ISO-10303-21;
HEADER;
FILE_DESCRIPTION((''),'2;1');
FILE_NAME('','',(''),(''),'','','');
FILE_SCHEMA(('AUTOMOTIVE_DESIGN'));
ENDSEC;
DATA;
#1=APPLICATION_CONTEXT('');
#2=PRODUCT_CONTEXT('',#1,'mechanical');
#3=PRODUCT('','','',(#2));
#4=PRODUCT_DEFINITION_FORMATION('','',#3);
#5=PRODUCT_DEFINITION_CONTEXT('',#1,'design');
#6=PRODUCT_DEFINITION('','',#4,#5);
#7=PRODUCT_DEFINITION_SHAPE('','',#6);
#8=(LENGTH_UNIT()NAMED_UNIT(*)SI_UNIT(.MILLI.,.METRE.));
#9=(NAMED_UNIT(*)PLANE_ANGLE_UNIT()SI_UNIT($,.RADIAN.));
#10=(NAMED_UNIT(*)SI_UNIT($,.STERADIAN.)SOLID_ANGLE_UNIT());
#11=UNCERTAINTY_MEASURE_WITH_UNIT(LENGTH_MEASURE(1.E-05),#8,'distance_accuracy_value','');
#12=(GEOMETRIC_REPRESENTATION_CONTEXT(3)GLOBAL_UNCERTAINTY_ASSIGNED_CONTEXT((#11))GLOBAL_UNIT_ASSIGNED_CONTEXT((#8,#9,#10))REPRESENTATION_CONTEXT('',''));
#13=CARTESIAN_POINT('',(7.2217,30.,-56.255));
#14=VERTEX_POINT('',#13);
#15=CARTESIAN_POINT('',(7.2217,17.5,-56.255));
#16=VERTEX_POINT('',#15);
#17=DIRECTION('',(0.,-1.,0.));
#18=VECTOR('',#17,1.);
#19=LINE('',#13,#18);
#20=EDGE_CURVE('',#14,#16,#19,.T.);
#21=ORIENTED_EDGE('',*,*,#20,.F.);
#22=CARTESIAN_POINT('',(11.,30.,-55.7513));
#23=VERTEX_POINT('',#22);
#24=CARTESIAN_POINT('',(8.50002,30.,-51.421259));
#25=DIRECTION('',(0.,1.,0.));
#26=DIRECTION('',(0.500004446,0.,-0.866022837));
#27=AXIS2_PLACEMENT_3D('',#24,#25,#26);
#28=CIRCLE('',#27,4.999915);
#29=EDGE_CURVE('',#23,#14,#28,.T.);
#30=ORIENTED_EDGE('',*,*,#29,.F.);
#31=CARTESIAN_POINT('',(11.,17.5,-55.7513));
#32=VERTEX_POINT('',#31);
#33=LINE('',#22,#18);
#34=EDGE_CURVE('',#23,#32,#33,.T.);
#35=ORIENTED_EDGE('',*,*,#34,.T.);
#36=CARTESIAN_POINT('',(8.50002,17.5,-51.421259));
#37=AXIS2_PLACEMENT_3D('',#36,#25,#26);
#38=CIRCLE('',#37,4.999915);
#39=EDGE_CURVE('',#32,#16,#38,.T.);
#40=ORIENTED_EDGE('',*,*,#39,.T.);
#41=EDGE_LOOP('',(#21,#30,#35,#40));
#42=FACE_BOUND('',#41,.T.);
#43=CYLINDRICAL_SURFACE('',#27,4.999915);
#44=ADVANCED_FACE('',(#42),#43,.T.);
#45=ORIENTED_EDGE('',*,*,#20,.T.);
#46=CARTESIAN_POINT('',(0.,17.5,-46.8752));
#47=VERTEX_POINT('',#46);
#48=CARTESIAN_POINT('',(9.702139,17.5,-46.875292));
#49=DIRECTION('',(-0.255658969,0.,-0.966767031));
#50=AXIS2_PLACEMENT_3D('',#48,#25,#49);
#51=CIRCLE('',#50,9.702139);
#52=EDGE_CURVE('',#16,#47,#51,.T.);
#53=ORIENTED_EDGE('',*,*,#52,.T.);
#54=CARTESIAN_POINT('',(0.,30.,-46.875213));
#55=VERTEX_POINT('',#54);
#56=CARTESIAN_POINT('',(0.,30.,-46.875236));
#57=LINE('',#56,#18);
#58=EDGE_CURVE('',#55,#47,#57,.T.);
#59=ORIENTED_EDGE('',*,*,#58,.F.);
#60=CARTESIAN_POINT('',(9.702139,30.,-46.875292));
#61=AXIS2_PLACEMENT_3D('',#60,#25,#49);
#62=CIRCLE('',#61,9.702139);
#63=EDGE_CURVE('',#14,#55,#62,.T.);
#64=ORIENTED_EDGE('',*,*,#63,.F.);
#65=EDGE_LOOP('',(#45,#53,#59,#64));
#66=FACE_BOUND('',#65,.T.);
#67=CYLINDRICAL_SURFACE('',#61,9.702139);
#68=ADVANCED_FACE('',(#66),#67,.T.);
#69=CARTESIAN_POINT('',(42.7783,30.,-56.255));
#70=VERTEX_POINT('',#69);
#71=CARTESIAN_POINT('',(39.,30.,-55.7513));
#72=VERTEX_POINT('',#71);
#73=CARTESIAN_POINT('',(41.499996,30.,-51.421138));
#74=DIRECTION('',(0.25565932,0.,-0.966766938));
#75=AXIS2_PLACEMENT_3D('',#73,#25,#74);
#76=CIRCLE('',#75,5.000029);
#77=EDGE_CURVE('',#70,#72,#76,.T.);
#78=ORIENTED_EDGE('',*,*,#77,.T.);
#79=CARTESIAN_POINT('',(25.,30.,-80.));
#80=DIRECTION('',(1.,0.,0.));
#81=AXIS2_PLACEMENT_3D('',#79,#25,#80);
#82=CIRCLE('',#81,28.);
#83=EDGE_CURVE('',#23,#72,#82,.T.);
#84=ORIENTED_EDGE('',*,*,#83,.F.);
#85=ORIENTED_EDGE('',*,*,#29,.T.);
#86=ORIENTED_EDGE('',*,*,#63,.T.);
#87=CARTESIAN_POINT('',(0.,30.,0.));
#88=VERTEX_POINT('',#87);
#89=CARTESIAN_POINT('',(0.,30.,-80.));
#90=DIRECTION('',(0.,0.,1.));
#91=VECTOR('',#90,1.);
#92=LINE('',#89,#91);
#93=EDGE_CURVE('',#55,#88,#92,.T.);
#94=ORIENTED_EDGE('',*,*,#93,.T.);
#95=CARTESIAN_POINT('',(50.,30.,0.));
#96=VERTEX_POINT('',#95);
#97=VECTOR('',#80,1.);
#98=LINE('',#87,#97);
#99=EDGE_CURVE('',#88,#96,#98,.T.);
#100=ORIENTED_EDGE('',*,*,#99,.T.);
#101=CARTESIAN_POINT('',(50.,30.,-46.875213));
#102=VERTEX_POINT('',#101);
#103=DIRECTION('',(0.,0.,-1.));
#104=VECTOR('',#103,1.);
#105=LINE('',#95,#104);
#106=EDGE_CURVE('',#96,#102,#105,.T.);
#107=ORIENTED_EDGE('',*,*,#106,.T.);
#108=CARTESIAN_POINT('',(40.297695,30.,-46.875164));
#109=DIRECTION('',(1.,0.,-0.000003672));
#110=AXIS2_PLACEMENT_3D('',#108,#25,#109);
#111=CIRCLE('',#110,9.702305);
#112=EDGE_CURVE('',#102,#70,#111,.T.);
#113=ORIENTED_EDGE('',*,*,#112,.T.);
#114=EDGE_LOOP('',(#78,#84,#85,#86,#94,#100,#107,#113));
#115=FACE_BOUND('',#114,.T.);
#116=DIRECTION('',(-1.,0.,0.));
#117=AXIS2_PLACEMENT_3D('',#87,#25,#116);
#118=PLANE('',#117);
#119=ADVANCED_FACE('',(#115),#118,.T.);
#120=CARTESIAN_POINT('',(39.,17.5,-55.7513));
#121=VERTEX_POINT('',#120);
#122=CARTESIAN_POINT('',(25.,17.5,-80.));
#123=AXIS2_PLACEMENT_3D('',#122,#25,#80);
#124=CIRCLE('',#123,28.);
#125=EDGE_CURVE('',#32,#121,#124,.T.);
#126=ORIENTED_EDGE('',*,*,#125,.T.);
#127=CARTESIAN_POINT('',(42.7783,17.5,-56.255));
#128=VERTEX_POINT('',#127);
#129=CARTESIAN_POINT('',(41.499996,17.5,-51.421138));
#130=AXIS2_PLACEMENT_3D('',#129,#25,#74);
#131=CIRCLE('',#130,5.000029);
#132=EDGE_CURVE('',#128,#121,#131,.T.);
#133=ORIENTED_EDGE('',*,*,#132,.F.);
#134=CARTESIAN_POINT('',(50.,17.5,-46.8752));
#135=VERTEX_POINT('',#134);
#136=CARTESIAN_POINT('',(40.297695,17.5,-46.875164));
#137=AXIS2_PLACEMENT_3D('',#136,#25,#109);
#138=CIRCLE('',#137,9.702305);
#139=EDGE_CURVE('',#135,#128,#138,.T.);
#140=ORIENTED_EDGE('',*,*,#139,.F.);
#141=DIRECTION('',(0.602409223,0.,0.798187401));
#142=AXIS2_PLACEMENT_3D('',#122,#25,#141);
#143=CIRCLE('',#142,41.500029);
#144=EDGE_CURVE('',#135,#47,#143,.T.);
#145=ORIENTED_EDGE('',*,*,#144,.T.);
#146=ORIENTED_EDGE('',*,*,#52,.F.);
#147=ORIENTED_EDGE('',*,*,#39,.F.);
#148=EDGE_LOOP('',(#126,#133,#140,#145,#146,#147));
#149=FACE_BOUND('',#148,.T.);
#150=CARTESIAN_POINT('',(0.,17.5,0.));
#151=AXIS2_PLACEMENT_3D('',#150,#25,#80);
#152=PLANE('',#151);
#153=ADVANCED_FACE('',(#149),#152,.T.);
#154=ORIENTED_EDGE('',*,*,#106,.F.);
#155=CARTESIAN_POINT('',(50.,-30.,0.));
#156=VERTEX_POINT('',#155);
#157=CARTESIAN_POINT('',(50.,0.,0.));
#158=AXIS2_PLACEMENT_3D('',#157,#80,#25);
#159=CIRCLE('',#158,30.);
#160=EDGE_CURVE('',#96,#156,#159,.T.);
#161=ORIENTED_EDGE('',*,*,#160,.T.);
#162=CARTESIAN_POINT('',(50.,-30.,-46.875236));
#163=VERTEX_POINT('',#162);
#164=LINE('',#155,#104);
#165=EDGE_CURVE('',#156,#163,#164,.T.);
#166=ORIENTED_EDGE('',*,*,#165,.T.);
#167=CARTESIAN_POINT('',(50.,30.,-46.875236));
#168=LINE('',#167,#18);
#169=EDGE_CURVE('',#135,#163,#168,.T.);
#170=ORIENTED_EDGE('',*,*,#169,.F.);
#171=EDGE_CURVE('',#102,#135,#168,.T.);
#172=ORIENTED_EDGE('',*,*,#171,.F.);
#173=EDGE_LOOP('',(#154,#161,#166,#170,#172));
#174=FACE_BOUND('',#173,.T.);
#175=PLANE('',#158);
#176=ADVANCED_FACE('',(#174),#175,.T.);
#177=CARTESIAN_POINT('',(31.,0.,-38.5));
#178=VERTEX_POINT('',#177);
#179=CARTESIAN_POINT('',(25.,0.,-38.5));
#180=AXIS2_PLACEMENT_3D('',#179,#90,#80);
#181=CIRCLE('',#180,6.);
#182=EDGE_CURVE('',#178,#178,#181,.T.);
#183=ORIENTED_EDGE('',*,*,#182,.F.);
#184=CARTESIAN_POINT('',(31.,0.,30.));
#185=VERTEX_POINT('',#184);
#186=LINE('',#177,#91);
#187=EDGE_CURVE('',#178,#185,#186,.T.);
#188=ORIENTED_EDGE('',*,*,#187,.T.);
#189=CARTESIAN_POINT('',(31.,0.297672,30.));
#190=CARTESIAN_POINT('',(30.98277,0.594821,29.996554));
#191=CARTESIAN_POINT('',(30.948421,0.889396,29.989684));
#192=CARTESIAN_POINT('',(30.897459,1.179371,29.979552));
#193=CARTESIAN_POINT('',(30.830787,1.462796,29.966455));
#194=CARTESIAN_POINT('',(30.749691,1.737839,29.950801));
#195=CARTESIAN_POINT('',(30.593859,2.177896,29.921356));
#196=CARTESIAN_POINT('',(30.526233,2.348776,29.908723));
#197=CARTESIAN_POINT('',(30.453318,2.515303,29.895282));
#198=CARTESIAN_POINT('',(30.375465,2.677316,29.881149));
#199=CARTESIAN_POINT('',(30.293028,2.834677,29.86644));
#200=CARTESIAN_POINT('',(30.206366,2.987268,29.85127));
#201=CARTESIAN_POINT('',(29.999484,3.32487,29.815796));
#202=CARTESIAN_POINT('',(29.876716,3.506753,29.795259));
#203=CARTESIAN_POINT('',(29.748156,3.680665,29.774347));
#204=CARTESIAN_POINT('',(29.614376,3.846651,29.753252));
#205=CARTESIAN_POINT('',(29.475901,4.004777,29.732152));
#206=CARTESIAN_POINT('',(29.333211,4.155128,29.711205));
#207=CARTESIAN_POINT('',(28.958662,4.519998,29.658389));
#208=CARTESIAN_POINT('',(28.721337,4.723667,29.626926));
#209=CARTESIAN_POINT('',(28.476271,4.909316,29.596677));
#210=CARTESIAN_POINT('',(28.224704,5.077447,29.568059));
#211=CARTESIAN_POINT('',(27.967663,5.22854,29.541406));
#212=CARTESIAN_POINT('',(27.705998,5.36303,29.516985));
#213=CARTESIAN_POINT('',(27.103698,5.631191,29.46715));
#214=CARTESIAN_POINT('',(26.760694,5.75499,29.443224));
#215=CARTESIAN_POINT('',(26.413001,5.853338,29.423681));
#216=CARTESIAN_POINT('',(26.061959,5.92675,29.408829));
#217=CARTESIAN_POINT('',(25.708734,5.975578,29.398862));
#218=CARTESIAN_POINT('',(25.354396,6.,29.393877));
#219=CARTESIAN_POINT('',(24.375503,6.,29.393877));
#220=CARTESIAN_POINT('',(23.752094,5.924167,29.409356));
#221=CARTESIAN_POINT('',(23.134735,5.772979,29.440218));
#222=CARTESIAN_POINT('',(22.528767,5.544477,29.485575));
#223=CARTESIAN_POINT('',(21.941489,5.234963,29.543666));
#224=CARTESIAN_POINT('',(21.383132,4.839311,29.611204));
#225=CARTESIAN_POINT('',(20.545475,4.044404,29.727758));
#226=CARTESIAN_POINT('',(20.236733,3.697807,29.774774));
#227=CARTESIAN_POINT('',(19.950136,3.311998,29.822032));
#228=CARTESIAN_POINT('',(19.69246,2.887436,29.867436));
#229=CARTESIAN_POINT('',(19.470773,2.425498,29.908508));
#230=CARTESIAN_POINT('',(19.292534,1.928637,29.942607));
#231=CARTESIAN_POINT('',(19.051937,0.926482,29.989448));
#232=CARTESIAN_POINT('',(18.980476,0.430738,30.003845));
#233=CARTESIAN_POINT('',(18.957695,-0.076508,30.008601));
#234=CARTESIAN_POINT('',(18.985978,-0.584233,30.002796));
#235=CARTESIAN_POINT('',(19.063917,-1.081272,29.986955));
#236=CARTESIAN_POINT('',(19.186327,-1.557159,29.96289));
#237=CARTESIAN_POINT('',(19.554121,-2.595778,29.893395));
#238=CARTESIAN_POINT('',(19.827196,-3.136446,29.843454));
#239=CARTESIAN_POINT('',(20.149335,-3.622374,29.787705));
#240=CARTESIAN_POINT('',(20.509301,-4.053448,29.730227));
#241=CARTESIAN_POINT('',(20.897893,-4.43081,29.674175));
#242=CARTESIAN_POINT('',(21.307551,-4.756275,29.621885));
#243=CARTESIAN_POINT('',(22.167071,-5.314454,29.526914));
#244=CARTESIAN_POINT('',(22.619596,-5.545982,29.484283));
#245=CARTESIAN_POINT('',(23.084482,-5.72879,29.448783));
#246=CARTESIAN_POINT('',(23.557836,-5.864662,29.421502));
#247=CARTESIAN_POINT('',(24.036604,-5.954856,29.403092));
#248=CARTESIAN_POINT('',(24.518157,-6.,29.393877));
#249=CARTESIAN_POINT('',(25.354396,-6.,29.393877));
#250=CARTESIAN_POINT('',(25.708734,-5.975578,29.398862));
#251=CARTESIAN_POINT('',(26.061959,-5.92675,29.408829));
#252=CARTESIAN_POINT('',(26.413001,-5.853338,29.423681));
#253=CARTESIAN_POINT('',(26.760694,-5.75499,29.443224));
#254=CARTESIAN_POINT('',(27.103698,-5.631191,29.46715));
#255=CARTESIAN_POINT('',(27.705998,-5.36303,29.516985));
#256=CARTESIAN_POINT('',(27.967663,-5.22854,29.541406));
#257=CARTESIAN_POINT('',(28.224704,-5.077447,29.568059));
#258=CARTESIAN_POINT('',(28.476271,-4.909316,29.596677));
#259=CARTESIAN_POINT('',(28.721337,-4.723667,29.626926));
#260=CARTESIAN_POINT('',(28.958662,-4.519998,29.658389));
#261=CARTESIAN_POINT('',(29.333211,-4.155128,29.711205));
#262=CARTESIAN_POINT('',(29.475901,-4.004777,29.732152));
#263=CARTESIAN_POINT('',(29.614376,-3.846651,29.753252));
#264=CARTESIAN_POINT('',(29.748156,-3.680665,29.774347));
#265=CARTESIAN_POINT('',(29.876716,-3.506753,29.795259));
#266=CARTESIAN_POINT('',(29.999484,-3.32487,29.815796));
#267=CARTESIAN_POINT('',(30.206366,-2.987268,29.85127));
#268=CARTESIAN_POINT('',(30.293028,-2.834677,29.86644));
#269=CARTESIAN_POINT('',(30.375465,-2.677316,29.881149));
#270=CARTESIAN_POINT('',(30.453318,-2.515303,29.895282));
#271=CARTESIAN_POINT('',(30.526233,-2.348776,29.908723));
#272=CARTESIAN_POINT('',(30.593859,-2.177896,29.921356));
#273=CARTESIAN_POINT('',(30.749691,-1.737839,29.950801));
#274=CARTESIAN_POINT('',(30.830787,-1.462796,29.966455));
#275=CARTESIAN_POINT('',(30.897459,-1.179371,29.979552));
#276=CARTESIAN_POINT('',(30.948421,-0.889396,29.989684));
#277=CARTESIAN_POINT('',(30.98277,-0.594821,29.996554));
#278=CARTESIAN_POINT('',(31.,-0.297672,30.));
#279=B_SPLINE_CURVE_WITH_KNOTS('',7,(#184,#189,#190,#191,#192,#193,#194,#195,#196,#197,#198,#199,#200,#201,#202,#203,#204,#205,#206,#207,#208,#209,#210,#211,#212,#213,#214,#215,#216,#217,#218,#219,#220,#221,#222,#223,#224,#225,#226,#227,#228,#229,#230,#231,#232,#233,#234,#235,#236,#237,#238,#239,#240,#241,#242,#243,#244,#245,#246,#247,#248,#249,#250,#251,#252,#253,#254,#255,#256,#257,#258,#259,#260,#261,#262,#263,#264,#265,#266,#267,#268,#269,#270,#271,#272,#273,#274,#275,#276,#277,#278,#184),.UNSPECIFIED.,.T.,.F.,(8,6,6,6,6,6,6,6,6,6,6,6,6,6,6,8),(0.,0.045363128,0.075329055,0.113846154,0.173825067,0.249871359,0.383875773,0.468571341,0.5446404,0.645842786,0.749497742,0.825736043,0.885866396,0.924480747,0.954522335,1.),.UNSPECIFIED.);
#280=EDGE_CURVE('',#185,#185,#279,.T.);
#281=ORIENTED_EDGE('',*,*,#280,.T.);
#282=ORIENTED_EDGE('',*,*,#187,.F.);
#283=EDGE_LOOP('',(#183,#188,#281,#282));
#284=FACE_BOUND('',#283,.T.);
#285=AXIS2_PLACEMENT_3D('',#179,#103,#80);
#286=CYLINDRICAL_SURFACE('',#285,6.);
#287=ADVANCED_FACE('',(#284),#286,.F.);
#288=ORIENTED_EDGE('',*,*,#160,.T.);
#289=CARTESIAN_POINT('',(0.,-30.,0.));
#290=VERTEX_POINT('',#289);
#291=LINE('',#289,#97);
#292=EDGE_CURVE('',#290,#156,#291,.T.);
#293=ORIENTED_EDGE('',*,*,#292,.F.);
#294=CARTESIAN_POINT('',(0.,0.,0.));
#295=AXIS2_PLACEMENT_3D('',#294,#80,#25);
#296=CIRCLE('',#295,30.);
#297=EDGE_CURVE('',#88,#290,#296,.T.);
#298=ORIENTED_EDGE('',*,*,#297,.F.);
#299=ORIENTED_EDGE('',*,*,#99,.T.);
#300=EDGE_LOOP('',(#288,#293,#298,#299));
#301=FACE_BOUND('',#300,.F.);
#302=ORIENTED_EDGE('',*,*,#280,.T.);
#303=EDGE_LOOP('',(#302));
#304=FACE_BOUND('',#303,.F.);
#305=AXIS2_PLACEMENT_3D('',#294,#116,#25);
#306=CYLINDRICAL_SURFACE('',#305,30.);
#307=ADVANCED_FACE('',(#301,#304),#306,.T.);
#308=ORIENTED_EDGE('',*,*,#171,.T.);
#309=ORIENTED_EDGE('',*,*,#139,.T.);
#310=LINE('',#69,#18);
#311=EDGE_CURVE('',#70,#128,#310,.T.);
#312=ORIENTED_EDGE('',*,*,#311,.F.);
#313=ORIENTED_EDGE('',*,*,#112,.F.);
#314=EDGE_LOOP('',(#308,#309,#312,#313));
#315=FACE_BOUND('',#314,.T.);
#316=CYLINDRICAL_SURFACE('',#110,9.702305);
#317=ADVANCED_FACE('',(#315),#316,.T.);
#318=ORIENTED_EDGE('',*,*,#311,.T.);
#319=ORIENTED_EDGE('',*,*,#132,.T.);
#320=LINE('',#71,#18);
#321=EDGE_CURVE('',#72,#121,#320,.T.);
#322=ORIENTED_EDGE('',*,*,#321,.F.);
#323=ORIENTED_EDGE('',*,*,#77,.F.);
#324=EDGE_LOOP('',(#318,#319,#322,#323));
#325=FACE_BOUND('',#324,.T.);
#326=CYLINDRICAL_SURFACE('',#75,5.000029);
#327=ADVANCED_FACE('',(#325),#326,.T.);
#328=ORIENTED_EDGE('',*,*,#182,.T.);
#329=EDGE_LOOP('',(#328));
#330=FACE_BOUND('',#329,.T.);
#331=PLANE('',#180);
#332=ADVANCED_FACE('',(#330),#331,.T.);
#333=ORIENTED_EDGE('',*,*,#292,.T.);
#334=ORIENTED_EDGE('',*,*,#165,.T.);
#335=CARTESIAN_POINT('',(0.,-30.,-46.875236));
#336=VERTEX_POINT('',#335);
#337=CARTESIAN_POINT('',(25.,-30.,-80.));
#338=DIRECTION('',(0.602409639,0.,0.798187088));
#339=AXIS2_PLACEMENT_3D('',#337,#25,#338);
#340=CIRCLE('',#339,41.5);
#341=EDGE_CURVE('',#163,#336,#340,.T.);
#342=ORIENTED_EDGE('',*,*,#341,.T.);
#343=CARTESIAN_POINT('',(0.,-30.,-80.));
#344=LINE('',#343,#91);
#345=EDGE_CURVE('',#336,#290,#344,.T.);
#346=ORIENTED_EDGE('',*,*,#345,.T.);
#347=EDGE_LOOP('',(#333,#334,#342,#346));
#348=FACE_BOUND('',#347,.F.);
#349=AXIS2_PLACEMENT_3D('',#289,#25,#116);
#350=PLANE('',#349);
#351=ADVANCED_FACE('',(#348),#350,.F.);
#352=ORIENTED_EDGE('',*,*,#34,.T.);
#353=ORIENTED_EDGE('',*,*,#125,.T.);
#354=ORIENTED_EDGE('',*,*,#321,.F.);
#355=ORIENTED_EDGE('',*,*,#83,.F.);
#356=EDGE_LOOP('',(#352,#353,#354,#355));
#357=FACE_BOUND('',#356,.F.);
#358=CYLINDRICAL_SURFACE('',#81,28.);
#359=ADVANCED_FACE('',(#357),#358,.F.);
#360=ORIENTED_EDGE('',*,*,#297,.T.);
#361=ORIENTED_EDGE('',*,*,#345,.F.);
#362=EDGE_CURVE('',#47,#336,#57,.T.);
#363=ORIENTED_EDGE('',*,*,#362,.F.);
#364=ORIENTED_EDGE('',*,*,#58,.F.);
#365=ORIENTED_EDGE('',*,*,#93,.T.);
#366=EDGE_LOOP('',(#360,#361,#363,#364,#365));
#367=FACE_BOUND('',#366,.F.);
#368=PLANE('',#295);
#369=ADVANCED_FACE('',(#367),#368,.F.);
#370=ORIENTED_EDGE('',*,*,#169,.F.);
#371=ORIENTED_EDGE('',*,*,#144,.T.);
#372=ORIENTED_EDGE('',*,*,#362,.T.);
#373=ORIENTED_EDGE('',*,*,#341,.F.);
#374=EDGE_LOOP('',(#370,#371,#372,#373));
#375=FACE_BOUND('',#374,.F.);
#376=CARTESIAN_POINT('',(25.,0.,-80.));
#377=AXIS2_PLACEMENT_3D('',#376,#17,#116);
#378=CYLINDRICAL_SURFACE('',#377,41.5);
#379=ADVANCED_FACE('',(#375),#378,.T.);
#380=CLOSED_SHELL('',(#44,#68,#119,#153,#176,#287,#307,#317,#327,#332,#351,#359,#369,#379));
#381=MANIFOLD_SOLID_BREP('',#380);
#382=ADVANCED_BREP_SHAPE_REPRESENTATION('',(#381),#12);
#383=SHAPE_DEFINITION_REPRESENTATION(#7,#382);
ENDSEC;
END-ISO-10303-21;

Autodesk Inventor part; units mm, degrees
ref_plane "YZ Plane" through (0, 0, 0) normal (1, 0, 0) x (0, 1, 0)
ref_plane "XZ Plane" through (0, 0, 0) normal (0, 1, 0) x (-1, 0, 0)
sketch "Sketch1" plane through (0, 0, 0) normal (0, 1, 0) x (-1, 0, 0)
  line L0 (0, 0) -> (-50, 0)
  line L1 (-50, 0) -> (-50, -80)
  line L2 (-50, -80) -> (0, -80)
  line L3 (0, -80) -> (0, 0)
  circle A0 centre (-25, -80) radius 41.5
  point P0 (-50, -46.8752)
  point P1 (0, -46.8752)
  dimension "d0" = 50
  dimension "d1" = 83
  dimension "d14" = 80
extrude "Extrusion1" add sketch "Sketch1" along normal mid plane 60
sketch "Sketch2" plane through (0, 0, 0) normal (1, 0, 0) x (0, 1, 0)
  line L0 (30, 0) -> (-30, 0) projected
  circle A0 centre (0, 0) radius 30
extrude "Extrusion2" add sketch "Sketch2" along normal up to surface (50 mm away) contours L0 A0 picked at (-5.2341, 20.5501)
sketch "Sketch3" plane through (0, 30, 0) normal (0, 1, 0) x (1, 0, 0)
  arc A0 (50, 46.8752) -> (0, 46.8752) centre (25, 80) ccw projected
  circle A1 centre (25, 80) radius 41.5
  circle A2 centre (25, 80) radius 28
  line L0 (0, -30) -> (50, -30) construction
  line L1 (25, 80) -> (44.9219, 52.757) construction
  line L2 (8.1861, 50.8774) -> (25, 80) construction
  line L3 (50, 46.8752) -> (50, 47.5169)
  line L4 (0, 46.8752) -> (0, 0) projected
  line L5 (0, 46.8752) -> (0, 46.5678)
  circle A3 centre (25, 80) radius 33 construction
  line L6 (25, 80) -> (25, -30) construction
  line L7 (0, -30) -> (50, -30) construction
  arc A4 (11, 55.7513) -> (7.2217, 56.255) centre (8.5, 51.4212) ccw
  arc A5 (7.2217, 56.255) -> (0, 46.8752) centre (9.7022, 46.8752) ccw
  arc A6 (42.7783, 56.255) -> (39, 55.7513) centre (41.5, 51.4212) ccw
  arc A7 (50, 46.8752) -> (42.7783, 56.255) centre (40.2978, 46.8752) ccw
  point P0 (0, 46.8752)
  point P1 (66.5, 80)
  dimension "d15" = 56
  dimension "d22" = 66
  dimension "d23" = 30
extrude "Extrusion3" cut sketch "Sketch3" against normal blind 12.5 contours A7 A6 A2 A4 A5 A0 | A2
ref_plane "Work Plane1" through (25, 0, -38.5) normal (0, 0, 1) x (1, 0, 0)
sketch "Sketch4" plane through (25, 0, -38.5) normal (0, 0, 1) x (1, 0, 0)
  circle A0 centre (0, 0) radius 6
  line L0 (-14, 30) -> (14, 30) construction
  line L1 (0, 30) -> (0, -30) construction
  line L2 (-41.5, -30) -> (41.5, -30) construction
  line L3 (-25, 0) -> (25, 0) construction
  line L4 (25, -30) -> (25, 30) construction
  point P0 (-25, -30)
  point P1 (20.75, 17.5)
  point P2 (0, 0)
  dimension "d19" = 12
extrude "Extrusion4" cut sketch "Sketch4" along normal through all
properties part number "thigh_inventor"
